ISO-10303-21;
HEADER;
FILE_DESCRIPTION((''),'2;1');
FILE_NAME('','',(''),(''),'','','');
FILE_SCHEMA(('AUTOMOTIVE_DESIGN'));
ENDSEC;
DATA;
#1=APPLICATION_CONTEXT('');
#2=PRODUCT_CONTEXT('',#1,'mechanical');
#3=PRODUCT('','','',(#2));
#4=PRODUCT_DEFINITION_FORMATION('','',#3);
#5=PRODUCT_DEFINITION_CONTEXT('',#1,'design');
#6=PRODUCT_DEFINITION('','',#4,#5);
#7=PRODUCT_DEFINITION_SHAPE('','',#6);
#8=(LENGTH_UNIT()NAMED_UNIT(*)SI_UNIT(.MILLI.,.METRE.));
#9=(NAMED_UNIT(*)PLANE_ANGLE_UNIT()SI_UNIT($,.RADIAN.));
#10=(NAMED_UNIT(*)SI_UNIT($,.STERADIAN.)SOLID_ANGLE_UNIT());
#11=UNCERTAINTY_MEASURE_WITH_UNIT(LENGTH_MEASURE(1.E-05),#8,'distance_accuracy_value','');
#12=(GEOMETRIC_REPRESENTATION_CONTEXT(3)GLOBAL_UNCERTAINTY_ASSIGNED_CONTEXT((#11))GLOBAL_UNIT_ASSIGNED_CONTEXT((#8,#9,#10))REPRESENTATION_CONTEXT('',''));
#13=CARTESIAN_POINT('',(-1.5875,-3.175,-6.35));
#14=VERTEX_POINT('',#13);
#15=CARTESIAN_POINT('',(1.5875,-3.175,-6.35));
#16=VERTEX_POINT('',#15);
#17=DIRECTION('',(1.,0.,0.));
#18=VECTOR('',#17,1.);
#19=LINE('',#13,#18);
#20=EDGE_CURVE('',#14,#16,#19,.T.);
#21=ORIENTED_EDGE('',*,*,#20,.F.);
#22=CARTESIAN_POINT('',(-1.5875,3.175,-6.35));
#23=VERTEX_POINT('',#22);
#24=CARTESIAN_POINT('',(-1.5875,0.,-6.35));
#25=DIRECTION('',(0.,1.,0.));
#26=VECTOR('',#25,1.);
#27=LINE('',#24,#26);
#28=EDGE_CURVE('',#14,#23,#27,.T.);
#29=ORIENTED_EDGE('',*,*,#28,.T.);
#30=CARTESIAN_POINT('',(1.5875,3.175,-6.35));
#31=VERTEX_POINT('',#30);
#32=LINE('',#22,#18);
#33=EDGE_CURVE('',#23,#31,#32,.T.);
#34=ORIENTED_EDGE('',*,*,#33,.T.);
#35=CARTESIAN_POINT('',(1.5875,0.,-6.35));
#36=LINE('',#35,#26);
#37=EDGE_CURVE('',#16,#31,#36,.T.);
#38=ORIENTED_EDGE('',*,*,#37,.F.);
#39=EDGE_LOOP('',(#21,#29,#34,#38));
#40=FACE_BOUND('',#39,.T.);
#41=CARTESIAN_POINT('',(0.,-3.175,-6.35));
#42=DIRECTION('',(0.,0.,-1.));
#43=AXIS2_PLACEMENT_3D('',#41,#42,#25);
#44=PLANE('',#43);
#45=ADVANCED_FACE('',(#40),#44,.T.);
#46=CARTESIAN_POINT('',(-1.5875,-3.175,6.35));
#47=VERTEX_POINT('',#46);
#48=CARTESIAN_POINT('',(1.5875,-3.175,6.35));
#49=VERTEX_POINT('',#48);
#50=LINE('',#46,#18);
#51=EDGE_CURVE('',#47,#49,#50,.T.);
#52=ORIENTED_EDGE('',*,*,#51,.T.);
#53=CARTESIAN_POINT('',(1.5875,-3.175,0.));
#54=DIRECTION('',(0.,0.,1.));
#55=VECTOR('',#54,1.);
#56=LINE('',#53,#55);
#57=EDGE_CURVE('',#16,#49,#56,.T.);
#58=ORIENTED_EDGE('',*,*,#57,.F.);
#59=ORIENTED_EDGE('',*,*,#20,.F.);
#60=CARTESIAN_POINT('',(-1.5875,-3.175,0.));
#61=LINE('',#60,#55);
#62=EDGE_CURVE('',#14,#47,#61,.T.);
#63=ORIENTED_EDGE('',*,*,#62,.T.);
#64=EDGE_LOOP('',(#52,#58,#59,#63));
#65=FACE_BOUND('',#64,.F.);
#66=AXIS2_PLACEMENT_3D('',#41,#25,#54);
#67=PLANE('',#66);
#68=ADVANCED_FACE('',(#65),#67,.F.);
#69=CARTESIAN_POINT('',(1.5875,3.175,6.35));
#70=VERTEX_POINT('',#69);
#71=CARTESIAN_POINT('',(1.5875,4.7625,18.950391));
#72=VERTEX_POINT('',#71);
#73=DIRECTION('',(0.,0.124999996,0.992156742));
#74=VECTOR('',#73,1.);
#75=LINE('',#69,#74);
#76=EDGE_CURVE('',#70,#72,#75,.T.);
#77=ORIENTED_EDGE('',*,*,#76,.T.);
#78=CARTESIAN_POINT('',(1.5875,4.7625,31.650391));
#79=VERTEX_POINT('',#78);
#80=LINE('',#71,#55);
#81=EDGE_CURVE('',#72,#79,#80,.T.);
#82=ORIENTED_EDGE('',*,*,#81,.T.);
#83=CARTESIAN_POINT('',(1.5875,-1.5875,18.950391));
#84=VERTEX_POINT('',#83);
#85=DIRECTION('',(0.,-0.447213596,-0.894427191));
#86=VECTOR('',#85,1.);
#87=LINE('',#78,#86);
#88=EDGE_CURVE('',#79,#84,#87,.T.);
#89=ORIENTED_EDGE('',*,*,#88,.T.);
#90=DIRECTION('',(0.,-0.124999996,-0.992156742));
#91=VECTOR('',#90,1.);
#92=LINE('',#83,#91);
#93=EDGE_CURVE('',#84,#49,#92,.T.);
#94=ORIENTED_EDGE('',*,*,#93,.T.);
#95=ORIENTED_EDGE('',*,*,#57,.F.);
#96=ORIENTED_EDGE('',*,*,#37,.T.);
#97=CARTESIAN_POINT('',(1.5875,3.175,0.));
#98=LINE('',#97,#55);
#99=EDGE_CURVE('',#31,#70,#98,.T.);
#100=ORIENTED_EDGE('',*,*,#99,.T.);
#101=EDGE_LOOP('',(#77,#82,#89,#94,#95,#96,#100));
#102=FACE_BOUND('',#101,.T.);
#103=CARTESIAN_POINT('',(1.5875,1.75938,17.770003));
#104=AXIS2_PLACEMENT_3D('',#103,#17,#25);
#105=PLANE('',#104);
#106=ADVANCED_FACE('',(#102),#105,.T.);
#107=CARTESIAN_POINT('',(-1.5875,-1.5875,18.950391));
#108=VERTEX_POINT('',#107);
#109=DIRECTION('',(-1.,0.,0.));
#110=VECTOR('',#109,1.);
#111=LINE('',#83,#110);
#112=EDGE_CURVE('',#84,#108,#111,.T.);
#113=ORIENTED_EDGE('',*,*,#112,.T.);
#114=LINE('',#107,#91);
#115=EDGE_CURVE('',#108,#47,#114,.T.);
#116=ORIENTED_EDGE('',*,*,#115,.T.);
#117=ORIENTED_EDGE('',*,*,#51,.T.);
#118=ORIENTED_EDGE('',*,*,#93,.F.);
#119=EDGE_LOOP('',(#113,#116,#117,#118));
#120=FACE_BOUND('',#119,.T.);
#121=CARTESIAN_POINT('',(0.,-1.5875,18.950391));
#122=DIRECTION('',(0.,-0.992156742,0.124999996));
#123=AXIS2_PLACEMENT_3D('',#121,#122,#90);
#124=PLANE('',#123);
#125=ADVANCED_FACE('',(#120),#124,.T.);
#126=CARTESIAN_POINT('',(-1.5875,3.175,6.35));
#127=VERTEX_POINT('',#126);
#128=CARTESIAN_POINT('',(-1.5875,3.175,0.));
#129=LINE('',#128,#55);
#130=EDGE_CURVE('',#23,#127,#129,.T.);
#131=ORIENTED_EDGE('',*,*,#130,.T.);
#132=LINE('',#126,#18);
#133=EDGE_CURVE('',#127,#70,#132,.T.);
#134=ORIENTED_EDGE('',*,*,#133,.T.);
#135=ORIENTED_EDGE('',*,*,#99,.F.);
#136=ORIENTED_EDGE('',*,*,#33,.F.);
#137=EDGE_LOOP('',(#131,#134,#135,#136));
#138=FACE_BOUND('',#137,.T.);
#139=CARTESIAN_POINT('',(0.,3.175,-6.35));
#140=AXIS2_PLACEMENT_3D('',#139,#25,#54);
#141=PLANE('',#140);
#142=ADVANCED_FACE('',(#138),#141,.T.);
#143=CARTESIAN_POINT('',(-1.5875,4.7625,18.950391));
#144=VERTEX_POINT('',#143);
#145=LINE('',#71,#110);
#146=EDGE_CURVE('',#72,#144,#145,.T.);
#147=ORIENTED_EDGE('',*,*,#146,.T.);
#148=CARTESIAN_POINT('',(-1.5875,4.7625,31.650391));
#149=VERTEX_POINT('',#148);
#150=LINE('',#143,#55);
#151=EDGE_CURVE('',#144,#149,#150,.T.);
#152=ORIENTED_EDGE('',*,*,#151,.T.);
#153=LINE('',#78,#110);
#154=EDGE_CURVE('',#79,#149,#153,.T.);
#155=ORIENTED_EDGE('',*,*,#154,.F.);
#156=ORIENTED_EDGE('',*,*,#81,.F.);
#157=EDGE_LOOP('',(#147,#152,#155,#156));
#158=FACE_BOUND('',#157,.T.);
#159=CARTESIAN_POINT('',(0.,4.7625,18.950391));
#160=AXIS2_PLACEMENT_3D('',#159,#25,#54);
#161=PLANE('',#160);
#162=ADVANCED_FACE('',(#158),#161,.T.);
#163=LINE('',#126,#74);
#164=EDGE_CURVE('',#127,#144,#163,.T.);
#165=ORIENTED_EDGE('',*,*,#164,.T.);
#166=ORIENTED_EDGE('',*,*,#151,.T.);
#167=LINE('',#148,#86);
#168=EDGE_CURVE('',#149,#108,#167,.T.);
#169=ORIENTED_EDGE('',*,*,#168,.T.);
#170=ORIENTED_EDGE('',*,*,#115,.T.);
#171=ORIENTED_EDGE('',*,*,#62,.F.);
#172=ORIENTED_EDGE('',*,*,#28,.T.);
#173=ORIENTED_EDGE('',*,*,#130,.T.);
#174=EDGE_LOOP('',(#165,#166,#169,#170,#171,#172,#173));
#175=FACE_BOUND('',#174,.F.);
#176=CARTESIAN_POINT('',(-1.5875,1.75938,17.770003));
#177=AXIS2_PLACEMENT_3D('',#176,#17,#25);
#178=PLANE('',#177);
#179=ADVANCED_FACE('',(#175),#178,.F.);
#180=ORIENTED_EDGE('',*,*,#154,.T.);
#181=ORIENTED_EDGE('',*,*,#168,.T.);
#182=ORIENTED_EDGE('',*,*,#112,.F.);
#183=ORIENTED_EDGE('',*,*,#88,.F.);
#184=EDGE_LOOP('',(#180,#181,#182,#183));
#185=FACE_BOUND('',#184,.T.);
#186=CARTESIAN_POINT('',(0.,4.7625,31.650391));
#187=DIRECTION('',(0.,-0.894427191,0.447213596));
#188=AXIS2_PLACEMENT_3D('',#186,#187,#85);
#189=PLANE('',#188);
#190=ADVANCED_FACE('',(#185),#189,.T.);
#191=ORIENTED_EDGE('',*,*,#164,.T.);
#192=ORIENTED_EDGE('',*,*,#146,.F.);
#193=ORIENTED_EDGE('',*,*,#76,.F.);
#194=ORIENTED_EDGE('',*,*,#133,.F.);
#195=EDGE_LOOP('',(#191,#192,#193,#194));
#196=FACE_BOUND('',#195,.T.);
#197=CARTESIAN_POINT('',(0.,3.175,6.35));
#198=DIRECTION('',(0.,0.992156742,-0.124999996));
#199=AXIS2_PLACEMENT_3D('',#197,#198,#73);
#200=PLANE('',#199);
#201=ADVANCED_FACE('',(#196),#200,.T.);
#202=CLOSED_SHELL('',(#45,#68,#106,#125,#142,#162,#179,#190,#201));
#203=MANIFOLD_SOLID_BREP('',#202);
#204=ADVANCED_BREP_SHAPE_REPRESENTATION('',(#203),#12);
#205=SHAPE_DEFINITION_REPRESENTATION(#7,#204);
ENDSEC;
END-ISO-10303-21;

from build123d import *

# Parameters (mm, degrees)
F0_W     = 6.35
F0_H     = 12.7
F1_DEPTH = 1.5875


with BuildPart() as f1:
    # F0 (on Right) → F1 (new body, symmetric)
    with BuildSketch(Plane.YZ):
        Polygon((-1.5875, 18.950391), (-3.175, 6.35), (3.175, 6.35), (4.7625, 18.950391), (4.7625, 31.650391), align=None)
        Rectangle(F0_W, F0_H)
    extrude(amount=F1_DEPTH, both=True)


solid = f1.part
